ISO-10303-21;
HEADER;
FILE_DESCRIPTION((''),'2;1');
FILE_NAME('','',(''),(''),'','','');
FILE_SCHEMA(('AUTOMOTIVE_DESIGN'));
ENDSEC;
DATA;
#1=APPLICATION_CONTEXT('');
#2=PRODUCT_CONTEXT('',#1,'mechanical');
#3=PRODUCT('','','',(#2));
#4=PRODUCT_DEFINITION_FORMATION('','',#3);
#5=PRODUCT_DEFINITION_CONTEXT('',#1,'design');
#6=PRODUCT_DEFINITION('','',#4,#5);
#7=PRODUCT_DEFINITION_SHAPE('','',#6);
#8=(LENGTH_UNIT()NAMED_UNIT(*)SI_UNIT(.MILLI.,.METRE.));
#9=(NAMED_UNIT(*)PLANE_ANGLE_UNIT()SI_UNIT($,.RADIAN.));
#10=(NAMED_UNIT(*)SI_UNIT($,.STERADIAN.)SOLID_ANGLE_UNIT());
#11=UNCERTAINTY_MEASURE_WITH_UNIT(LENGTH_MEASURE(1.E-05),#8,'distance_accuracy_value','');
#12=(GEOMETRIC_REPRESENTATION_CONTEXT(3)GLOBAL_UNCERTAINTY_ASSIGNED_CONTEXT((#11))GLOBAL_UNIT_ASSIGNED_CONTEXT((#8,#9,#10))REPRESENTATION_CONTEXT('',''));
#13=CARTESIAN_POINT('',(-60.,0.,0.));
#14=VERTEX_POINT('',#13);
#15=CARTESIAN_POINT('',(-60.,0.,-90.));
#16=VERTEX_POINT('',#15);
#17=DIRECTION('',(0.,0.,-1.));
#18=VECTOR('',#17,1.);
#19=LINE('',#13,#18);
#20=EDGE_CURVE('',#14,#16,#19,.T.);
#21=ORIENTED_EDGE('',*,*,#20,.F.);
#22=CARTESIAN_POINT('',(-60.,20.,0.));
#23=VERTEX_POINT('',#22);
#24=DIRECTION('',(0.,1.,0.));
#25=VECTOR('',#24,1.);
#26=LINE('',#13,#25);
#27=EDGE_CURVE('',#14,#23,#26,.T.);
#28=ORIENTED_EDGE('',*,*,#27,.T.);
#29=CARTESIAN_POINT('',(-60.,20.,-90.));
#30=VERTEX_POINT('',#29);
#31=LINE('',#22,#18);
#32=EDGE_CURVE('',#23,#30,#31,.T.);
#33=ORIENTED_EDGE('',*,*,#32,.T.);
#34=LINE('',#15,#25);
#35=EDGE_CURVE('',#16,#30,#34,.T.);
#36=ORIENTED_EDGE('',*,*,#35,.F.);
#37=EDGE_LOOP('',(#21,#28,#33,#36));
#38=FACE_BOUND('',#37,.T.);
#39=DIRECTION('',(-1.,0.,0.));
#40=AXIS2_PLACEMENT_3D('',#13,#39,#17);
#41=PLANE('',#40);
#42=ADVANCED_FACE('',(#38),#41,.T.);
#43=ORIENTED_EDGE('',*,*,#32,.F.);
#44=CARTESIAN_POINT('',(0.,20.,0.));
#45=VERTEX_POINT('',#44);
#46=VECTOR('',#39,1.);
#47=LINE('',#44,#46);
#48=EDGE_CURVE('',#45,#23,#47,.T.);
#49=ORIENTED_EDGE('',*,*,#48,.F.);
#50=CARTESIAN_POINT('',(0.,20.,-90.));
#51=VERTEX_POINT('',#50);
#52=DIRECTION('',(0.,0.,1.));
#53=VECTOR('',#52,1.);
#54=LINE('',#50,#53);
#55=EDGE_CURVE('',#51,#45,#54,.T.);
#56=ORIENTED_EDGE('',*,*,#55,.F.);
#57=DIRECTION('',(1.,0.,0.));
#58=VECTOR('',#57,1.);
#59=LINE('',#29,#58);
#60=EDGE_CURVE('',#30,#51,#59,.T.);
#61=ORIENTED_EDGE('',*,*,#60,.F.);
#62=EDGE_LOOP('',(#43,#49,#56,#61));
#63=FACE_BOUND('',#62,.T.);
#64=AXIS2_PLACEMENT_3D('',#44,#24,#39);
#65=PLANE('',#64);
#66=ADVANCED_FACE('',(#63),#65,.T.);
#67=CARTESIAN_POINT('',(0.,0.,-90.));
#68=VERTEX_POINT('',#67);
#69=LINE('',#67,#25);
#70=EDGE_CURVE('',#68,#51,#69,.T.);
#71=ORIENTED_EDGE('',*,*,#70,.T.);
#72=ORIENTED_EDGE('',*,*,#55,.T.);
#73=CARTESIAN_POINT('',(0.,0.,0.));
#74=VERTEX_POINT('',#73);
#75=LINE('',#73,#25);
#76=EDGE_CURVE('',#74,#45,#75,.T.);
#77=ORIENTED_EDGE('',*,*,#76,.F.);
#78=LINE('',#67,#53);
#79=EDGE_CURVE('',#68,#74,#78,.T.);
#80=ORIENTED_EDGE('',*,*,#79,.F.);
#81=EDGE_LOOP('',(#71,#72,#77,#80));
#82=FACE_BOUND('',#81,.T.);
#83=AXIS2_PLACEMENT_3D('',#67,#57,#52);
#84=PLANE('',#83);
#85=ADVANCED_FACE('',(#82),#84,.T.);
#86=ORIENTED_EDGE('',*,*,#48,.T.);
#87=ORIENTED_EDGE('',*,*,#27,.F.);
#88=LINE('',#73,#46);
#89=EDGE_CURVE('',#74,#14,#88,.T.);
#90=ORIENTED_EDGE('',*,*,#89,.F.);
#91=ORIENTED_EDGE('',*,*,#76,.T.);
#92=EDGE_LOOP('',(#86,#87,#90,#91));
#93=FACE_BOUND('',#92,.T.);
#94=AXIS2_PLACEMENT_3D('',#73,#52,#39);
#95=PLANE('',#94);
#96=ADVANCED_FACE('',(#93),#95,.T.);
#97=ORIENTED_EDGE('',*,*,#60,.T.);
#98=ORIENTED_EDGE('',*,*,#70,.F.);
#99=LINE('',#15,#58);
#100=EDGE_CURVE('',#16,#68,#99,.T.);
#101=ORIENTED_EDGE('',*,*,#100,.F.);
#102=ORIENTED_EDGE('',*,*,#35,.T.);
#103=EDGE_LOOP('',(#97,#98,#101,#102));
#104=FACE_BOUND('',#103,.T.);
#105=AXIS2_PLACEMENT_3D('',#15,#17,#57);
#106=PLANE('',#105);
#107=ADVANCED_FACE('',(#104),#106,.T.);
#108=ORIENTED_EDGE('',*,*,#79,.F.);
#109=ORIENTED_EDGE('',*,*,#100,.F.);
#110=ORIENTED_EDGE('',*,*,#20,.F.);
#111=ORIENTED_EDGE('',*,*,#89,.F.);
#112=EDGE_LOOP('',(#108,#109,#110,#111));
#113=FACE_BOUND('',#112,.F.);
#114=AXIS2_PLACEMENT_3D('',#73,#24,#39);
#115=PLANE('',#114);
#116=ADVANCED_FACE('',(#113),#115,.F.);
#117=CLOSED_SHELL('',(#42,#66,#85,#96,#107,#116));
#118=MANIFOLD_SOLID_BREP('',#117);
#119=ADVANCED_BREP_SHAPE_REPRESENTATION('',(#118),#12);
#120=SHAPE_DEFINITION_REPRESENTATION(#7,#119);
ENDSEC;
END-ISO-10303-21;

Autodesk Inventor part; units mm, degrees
ref_plane "YZ Plane" through (0, 0, 0) normal (1, 0, 0) x (0, 1, 0)
ref_plane "XZ Plane" through (0, 0, 0) normal (0, 1, 0) x (-1, 0, 0)
ref_plane "XY Plane" through (0, 0, 0) normal (0, 0, 1) x (1, 0, 0)
sketch "Sketch1" plane through (0, 0, 0) normal (0, 1, 0) x (-1, 0, 0)
  line L0 (0, 0) -> (60, 0)
  line L1 (60, 0) -> (60, -90)
  line L2 (60, -90) -> (0, -90)
  line L3 (0, -90) -> (0, 0)
  dimension "d0" = 60
  dimension "d1" = 90
extrude "Extrusion1" add sketch "Sketch1" along normal blind 20
properties part number "raspberry_pi_5_case"
